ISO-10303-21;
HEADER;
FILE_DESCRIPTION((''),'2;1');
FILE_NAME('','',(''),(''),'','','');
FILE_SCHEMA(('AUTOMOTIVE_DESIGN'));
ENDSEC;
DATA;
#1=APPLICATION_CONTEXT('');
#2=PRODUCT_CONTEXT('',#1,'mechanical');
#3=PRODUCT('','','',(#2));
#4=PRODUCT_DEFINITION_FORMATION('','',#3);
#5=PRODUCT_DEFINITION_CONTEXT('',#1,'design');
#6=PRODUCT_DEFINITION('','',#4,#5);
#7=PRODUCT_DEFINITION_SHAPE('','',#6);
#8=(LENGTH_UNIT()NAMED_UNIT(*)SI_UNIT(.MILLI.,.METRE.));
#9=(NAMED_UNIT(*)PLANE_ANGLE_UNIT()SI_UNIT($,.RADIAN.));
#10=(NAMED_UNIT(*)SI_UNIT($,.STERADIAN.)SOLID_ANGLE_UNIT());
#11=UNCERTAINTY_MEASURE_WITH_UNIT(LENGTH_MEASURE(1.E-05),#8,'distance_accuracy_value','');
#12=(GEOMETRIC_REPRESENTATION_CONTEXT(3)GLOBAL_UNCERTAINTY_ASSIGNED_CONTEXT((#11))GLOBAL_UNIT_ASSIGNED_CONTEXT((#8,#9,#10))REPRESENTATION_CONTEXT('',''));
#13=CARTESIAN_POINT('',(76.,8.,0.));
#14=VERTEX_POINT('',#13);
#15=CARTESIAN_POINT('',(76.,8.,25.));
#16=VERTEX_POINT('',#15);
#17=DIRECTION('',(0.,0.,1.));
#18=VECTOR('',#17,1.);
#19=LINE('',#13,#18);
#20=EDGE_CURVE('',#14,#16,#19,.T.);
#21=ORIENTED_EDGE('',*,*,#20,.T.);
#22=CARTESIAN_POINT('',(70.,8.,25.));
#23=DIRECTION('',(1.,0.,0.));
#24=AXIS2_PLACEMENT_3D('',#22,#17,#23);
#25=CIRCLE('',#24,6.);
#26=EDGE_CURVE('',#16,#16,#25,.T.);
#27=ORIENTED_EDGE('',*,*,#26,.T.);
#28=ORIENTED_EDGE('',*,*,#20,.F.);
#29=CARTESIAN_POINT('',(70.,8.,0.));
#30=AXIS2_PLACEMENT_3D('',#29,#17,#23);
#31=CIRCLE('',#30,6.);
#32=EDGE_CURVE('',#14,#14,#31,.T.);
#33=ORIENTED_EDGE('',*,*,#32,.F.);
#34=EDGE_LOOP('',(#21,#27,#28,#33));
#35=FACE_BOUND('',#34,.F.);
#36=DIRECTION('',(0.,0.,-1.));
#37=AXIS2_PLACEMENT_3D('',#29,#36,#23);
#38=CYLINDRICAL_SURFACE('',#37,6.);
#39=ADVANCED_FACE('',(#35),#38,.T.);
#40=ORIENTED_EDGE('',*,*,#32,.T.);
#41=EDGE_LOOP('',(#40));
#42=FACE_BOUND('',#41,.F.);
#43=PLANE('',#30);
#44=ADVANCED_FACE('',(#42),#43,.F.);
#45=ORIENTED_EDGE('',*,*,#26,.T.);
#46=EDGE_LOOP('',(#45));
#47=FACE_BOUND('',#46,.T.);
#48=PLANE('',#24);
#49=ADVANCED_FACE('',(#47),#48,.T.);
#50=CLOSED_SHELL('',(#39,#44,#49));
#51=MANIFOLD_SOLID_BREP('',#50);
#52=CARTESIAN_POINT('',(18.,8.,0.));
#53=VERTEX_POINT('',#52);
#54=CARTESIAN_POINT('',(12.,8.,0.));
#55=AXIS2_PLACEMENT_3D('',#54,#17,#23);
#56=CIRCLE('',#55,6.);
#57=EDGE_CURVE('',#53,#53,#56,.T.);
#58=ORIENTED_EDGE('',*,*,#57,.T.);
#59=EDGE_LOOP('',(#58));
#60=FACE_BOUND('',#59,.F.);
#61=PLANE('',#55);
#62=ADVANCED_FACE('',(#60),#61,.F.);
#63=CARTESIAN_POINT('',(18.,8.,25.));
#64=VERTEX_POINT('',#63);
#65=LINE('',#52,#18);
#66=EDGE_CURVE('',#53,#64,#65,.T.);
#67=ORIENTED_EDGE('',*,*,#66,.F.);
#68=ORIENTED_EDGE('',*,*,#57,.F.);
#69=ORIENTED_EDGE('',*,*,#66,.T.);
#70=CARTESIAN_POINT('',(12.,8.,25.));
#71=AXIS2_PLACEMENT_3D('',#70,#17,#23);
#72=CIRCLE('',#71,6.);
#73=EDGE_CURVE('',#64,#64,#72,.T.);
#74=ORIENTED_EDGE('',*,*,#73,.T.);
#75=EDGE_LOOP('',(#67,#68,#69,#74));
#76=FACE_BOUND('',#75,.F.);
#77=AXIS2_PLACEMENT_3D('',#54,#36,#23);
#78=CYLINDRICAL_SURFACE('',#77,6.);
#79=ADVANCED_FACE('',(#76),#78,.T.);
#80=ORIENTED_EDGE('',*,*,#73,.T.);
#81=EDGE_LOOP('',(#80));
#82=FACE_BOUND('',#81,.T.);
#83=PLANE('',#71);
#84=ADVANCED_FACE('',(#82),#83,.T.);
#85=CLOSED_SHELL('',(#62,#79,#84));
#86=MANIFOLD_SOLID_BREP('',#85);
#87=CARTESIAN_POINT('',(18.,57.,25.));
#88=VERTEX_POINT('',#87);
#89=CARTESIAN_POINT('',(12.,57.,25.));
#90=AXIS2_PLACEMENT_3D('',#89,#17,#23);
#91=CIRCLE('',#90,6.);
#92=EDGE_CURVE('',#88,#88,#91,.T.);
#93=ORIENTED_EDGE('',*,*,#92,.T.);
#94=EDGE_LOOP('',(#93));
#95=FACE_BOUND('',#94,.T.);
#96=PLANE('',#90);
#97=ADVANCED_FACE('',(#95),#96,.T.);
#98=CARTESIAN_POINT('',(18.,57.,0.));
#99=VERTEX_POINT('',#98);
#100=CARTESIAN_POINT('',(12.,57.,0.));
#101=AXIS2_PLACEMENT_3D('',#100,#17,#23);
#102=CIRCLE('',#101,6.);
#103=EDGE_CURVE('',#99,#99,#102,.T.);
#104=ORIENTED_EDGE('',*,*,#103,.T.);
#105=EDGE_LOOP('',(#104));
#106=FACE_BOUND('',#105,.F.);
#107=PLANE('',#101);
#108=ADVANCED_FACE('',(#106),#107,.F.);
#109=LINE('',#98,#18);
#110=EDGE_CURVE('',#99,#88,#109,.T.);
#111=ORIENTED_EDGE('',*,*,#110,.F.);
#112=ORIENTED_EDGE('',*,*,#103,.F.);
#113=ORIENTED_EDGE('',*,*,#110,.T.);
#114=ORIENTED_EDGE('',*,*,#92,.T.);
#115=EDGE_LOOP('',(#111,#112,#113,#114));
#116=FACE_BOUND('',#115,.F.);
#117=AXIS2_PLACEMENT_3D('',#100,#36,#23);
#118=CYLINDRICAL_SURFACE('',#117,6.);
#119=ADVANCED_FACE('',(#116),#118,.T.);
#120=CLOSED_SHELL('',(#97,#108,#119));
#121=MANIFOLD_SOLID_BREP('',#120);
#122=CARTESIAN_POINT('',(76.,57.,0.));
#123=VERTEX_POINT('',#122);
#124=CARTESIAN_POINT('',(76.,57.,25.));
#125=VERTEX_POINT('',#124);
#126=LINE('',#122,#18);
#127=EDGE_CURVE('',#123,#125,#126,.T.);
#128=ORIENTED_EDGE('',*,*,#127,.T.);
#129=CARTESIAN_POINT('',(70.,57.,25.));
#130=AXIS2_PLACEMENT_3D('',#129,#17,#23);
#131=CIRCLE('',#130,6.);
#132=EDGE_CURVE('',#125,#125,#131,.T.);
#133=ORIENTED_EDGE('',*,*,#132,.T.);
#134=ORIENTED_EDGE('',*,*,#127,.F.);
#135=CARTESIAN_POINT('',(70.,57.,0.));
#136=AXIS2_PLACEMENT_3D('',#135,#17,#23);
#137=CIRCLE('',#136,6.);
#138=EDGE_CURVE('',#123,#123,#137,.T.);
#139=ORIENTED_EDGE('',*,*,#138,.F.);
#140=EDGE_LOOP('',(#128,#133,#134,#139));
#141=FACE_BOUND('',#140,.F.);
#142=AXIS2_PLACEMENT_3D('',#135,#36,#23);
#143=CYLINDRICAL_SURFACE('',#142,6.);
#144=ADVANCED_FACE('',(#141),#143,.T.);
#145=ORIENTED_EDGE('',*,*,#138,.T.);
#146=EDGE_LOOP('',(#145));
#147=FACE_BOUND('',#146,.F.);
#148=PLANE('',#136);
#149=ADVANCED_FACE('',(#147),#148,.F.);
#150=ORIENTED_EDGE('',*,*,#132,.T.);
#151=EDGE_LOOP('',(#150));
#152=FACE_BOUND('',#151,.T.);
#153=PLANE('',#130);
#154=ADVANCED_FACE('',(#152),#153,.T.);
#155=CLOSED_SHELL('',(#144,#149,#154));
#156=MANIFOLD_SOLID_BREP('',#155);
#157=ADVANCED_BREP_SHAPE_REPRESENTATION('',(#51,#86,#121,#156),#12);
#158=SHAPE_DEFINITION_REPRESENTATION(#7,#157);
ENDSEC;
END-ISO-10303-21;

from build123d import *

# Parameters (mm, degrees)
CYLINDER018_R     = 6
CYLINDER018_DEPTH = 25
CYLINDER017_R     = 6
CYLINDER017_DEPTH = 25
CYLINDER016_R     = 6
CYLINDER016_DEPTH = 25
CYLINDER019_R     = 6
CYLINDER019_DEPTH = 25


with BuildPart() as cylinder018:
    # Cylinder018 → Cylinder018 (new body)
    with BuildSketch(Plane(origin=(70, 57, 0), x_dir=(1, 0, 0), z_dir=(0, 0, 1))):
        Circle(CYLINDER018_R)
    extrude(amount=CYLINDER018_DEPTH)


with BuildPart() as cylinder017:
    # Cylinder017 → Cylinder017 (new body)
    with BuildSketch(Plane(origin=(12, 8, 0), x_dir=(1, 0, 0), z_dir=(0, 0, 1))):
        Circle(CYLINDER017_R)
    extrude(amount=CYLINDER017_DEPTH)


with BuildPart() as cylinder016:
    # Cylinder016 → Cylinder016 (new body)
    with BuildSketch(Plane(origin=(12, 57, 0), x_dir=(1, 0, 0), z_dir=(0, 0, 1))):
        Circle(CYLINDER016_R)
    extrude(amount=CYLINDER016_DEPTH)


with BuildPart() as distanzhalter001:
    # Cylinder019 → Cylinder019 (new body)
    with BuildSketch(Plane(origin=(70, 8, 0), x_dir=(1, 0, 0), z_dir=(0, 0, 1))):
        Circle(CYLINDER019_R)
    extrude(amount=CYLINDER019_DEPTH)

    # Fusion007: union Cylinder018, Cylinder017, Cylinder016
    add(cylinder018.part)
    add(cylinder017.part)
    add(cylinder016.part)


solid = distanzhalter001.part
